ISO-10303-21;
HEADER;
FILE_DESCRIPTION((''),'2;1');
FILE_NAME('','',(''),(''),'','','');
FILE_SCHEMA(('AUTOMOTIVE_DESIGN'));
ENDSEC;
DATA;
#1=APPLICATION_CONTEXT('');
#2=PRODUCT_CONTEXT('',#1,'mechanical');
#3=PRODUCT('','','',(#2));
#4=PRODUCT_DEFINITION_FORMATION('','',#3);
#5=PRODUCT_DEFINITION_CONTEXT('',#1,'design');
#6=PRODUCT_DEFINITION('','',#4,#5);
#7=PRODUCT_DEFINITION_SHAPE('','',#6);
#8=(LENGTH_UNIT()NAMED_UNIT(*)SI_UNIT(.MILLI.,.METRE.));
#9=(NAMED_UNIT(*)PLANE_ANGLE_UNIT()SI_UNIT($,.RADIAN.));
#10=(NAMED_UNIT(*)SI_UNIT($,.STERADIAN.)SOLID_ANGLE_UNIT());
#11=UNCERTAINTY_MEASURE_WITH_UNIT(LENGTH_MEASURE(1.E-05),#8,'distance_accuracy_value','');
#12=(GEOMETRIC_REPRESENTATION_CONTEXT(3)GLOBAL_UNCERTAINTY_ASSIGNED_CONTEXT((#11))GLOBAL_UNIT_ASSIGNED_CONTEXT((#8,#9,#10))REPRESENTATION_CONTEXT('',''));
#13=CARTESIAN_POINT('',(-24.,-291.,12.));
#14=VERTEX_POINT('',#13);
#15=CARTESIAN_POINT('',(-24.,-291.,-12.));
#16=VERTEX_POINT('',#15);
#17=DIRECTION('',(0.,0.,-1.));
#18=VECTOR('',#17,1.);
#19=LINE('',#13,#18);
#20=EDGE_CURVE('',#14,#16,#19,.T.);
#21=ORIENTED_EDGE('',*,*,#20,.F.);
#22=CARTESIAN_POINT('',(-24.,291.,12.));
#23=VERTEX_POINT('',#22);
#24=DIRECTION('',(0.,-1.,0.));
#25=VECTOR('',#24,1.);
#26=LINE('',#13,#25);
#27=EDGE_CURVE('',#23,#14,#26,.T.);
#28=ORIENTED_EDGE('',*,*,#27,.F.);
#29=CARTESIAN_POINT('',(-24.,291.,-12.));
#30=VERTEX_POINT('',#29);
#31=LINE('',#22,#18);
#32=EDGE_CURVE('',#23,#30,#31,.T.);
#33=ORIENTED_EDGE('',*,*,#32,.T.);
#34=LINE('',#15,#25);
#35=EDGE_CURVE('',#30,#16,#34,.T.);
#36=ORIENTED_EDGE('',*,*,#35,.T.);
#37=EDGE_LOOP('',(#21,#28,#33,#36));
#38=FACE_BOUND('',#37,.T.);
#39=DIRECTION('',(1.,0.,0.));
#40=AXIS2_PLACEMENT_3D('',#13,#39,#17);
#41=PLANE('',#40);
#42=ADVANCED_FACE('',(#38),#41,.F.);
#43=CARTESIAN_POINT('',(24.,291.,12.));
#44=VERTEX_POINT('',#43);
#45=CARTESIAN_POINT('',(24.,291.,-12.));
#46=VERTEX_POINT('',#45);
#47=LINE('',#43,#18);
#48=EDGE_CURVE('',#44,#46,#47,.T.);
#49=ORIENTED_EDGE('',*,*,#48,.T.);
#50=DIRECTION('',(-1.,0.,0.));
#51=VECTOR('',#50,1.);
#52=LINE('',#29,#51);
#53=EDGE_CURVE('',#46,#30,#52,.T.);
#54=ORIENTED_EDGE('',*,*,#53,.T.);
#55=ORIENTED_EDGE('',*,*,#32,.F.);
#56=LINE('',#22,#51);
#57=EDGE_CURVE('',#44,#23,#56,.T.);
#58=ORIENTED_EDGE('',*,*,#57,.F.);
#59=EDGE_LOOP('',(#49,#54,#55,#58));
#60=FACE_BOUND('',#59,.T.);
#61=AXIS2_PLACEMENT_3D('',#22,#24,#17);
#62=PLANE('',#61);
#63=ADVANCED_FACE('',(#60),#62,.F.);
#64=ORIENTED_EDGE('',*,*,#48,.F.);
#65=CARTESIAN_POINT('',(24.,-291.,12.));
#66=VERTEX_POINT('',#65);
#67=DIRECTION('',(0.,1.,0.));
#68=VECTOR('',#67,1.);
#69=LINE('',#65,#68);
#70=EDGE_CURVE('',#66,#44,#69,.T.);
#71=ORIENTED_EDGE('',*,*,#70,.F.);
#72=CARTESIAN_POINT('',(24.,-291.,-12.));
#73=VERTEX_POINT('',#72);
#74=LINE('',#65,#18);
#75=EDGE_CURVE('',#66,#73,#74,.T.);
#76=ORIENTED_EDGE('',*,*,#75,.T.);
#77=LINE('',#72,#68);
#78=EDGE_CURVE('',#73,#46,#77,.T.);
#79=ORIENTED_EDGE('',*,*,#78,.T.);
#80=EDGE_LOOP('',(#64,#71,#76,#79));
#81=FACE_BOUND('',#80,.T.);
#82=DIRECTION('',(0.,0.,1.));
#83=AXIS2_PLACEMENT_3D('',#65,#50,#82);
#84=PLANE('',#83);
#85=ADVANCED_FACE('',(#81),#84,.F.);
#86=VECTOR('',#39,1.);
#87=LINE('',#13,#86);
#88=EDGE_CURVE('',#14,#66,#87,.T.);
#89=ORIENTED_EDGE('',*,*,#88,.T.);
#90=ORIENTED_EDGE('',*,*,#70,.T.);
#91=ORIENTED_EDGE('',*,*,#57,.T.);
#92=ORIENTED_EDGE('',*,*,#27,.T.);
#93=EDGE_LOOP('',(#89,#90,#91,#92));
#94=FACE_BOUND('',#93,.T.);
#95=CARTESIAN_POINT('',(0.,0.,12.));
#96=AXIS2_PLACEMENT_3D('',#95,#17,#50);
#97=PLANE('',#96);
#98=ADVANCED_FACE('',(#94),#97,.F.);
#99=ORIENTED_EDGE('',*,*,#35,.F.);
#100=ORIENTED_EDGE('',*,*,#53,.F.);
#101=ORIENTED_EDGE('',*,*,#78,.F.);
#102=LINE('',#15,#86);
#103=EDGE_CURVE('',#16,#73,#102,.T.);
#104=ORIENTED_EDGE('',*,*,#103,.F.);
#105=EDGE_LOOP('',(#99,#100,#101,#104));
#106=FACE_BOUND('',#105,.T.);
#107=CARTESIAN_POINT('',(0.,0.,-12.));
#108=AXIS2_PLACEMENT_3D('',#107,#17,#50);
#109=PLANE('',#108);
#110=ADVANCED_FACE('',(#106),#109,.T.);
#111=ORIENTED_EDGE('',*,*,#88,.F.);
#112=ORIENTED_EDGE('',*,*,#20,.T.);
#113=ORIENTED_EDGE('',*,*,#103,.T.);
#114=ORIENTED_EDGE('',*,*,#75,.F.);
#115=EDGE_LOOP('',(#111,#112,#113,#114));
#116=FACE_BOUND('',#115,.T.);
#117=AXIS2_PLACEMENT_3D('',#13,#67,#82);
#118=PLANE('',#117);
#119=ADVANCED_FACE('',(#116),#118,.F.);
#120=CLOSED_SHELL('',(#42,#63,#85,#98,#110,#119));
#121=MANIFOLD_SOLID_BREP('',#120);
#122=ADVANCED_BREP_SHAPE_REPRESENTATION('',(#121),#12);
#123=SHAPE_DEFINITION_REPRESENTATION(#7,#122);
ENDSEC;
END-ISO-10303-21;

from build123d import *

# Parameters (mm, degrees)
ESQUISSE1_W        = 48
ESQUISSE1_H        = 582
BOSS_EXTRU_1_DEPTH = 12


with BuildPart() as part:
    # Esquisse1 → Boss.-Extru.1 (new, symmetric)
    with BuildSketch(Plane.XY):
        Rectangle(ESQUISSE1_W, ESQUISSE1_H)
    extrude(amount=BOSS_EXTRU_1_DEPTH, both=True)


solid = part.part
